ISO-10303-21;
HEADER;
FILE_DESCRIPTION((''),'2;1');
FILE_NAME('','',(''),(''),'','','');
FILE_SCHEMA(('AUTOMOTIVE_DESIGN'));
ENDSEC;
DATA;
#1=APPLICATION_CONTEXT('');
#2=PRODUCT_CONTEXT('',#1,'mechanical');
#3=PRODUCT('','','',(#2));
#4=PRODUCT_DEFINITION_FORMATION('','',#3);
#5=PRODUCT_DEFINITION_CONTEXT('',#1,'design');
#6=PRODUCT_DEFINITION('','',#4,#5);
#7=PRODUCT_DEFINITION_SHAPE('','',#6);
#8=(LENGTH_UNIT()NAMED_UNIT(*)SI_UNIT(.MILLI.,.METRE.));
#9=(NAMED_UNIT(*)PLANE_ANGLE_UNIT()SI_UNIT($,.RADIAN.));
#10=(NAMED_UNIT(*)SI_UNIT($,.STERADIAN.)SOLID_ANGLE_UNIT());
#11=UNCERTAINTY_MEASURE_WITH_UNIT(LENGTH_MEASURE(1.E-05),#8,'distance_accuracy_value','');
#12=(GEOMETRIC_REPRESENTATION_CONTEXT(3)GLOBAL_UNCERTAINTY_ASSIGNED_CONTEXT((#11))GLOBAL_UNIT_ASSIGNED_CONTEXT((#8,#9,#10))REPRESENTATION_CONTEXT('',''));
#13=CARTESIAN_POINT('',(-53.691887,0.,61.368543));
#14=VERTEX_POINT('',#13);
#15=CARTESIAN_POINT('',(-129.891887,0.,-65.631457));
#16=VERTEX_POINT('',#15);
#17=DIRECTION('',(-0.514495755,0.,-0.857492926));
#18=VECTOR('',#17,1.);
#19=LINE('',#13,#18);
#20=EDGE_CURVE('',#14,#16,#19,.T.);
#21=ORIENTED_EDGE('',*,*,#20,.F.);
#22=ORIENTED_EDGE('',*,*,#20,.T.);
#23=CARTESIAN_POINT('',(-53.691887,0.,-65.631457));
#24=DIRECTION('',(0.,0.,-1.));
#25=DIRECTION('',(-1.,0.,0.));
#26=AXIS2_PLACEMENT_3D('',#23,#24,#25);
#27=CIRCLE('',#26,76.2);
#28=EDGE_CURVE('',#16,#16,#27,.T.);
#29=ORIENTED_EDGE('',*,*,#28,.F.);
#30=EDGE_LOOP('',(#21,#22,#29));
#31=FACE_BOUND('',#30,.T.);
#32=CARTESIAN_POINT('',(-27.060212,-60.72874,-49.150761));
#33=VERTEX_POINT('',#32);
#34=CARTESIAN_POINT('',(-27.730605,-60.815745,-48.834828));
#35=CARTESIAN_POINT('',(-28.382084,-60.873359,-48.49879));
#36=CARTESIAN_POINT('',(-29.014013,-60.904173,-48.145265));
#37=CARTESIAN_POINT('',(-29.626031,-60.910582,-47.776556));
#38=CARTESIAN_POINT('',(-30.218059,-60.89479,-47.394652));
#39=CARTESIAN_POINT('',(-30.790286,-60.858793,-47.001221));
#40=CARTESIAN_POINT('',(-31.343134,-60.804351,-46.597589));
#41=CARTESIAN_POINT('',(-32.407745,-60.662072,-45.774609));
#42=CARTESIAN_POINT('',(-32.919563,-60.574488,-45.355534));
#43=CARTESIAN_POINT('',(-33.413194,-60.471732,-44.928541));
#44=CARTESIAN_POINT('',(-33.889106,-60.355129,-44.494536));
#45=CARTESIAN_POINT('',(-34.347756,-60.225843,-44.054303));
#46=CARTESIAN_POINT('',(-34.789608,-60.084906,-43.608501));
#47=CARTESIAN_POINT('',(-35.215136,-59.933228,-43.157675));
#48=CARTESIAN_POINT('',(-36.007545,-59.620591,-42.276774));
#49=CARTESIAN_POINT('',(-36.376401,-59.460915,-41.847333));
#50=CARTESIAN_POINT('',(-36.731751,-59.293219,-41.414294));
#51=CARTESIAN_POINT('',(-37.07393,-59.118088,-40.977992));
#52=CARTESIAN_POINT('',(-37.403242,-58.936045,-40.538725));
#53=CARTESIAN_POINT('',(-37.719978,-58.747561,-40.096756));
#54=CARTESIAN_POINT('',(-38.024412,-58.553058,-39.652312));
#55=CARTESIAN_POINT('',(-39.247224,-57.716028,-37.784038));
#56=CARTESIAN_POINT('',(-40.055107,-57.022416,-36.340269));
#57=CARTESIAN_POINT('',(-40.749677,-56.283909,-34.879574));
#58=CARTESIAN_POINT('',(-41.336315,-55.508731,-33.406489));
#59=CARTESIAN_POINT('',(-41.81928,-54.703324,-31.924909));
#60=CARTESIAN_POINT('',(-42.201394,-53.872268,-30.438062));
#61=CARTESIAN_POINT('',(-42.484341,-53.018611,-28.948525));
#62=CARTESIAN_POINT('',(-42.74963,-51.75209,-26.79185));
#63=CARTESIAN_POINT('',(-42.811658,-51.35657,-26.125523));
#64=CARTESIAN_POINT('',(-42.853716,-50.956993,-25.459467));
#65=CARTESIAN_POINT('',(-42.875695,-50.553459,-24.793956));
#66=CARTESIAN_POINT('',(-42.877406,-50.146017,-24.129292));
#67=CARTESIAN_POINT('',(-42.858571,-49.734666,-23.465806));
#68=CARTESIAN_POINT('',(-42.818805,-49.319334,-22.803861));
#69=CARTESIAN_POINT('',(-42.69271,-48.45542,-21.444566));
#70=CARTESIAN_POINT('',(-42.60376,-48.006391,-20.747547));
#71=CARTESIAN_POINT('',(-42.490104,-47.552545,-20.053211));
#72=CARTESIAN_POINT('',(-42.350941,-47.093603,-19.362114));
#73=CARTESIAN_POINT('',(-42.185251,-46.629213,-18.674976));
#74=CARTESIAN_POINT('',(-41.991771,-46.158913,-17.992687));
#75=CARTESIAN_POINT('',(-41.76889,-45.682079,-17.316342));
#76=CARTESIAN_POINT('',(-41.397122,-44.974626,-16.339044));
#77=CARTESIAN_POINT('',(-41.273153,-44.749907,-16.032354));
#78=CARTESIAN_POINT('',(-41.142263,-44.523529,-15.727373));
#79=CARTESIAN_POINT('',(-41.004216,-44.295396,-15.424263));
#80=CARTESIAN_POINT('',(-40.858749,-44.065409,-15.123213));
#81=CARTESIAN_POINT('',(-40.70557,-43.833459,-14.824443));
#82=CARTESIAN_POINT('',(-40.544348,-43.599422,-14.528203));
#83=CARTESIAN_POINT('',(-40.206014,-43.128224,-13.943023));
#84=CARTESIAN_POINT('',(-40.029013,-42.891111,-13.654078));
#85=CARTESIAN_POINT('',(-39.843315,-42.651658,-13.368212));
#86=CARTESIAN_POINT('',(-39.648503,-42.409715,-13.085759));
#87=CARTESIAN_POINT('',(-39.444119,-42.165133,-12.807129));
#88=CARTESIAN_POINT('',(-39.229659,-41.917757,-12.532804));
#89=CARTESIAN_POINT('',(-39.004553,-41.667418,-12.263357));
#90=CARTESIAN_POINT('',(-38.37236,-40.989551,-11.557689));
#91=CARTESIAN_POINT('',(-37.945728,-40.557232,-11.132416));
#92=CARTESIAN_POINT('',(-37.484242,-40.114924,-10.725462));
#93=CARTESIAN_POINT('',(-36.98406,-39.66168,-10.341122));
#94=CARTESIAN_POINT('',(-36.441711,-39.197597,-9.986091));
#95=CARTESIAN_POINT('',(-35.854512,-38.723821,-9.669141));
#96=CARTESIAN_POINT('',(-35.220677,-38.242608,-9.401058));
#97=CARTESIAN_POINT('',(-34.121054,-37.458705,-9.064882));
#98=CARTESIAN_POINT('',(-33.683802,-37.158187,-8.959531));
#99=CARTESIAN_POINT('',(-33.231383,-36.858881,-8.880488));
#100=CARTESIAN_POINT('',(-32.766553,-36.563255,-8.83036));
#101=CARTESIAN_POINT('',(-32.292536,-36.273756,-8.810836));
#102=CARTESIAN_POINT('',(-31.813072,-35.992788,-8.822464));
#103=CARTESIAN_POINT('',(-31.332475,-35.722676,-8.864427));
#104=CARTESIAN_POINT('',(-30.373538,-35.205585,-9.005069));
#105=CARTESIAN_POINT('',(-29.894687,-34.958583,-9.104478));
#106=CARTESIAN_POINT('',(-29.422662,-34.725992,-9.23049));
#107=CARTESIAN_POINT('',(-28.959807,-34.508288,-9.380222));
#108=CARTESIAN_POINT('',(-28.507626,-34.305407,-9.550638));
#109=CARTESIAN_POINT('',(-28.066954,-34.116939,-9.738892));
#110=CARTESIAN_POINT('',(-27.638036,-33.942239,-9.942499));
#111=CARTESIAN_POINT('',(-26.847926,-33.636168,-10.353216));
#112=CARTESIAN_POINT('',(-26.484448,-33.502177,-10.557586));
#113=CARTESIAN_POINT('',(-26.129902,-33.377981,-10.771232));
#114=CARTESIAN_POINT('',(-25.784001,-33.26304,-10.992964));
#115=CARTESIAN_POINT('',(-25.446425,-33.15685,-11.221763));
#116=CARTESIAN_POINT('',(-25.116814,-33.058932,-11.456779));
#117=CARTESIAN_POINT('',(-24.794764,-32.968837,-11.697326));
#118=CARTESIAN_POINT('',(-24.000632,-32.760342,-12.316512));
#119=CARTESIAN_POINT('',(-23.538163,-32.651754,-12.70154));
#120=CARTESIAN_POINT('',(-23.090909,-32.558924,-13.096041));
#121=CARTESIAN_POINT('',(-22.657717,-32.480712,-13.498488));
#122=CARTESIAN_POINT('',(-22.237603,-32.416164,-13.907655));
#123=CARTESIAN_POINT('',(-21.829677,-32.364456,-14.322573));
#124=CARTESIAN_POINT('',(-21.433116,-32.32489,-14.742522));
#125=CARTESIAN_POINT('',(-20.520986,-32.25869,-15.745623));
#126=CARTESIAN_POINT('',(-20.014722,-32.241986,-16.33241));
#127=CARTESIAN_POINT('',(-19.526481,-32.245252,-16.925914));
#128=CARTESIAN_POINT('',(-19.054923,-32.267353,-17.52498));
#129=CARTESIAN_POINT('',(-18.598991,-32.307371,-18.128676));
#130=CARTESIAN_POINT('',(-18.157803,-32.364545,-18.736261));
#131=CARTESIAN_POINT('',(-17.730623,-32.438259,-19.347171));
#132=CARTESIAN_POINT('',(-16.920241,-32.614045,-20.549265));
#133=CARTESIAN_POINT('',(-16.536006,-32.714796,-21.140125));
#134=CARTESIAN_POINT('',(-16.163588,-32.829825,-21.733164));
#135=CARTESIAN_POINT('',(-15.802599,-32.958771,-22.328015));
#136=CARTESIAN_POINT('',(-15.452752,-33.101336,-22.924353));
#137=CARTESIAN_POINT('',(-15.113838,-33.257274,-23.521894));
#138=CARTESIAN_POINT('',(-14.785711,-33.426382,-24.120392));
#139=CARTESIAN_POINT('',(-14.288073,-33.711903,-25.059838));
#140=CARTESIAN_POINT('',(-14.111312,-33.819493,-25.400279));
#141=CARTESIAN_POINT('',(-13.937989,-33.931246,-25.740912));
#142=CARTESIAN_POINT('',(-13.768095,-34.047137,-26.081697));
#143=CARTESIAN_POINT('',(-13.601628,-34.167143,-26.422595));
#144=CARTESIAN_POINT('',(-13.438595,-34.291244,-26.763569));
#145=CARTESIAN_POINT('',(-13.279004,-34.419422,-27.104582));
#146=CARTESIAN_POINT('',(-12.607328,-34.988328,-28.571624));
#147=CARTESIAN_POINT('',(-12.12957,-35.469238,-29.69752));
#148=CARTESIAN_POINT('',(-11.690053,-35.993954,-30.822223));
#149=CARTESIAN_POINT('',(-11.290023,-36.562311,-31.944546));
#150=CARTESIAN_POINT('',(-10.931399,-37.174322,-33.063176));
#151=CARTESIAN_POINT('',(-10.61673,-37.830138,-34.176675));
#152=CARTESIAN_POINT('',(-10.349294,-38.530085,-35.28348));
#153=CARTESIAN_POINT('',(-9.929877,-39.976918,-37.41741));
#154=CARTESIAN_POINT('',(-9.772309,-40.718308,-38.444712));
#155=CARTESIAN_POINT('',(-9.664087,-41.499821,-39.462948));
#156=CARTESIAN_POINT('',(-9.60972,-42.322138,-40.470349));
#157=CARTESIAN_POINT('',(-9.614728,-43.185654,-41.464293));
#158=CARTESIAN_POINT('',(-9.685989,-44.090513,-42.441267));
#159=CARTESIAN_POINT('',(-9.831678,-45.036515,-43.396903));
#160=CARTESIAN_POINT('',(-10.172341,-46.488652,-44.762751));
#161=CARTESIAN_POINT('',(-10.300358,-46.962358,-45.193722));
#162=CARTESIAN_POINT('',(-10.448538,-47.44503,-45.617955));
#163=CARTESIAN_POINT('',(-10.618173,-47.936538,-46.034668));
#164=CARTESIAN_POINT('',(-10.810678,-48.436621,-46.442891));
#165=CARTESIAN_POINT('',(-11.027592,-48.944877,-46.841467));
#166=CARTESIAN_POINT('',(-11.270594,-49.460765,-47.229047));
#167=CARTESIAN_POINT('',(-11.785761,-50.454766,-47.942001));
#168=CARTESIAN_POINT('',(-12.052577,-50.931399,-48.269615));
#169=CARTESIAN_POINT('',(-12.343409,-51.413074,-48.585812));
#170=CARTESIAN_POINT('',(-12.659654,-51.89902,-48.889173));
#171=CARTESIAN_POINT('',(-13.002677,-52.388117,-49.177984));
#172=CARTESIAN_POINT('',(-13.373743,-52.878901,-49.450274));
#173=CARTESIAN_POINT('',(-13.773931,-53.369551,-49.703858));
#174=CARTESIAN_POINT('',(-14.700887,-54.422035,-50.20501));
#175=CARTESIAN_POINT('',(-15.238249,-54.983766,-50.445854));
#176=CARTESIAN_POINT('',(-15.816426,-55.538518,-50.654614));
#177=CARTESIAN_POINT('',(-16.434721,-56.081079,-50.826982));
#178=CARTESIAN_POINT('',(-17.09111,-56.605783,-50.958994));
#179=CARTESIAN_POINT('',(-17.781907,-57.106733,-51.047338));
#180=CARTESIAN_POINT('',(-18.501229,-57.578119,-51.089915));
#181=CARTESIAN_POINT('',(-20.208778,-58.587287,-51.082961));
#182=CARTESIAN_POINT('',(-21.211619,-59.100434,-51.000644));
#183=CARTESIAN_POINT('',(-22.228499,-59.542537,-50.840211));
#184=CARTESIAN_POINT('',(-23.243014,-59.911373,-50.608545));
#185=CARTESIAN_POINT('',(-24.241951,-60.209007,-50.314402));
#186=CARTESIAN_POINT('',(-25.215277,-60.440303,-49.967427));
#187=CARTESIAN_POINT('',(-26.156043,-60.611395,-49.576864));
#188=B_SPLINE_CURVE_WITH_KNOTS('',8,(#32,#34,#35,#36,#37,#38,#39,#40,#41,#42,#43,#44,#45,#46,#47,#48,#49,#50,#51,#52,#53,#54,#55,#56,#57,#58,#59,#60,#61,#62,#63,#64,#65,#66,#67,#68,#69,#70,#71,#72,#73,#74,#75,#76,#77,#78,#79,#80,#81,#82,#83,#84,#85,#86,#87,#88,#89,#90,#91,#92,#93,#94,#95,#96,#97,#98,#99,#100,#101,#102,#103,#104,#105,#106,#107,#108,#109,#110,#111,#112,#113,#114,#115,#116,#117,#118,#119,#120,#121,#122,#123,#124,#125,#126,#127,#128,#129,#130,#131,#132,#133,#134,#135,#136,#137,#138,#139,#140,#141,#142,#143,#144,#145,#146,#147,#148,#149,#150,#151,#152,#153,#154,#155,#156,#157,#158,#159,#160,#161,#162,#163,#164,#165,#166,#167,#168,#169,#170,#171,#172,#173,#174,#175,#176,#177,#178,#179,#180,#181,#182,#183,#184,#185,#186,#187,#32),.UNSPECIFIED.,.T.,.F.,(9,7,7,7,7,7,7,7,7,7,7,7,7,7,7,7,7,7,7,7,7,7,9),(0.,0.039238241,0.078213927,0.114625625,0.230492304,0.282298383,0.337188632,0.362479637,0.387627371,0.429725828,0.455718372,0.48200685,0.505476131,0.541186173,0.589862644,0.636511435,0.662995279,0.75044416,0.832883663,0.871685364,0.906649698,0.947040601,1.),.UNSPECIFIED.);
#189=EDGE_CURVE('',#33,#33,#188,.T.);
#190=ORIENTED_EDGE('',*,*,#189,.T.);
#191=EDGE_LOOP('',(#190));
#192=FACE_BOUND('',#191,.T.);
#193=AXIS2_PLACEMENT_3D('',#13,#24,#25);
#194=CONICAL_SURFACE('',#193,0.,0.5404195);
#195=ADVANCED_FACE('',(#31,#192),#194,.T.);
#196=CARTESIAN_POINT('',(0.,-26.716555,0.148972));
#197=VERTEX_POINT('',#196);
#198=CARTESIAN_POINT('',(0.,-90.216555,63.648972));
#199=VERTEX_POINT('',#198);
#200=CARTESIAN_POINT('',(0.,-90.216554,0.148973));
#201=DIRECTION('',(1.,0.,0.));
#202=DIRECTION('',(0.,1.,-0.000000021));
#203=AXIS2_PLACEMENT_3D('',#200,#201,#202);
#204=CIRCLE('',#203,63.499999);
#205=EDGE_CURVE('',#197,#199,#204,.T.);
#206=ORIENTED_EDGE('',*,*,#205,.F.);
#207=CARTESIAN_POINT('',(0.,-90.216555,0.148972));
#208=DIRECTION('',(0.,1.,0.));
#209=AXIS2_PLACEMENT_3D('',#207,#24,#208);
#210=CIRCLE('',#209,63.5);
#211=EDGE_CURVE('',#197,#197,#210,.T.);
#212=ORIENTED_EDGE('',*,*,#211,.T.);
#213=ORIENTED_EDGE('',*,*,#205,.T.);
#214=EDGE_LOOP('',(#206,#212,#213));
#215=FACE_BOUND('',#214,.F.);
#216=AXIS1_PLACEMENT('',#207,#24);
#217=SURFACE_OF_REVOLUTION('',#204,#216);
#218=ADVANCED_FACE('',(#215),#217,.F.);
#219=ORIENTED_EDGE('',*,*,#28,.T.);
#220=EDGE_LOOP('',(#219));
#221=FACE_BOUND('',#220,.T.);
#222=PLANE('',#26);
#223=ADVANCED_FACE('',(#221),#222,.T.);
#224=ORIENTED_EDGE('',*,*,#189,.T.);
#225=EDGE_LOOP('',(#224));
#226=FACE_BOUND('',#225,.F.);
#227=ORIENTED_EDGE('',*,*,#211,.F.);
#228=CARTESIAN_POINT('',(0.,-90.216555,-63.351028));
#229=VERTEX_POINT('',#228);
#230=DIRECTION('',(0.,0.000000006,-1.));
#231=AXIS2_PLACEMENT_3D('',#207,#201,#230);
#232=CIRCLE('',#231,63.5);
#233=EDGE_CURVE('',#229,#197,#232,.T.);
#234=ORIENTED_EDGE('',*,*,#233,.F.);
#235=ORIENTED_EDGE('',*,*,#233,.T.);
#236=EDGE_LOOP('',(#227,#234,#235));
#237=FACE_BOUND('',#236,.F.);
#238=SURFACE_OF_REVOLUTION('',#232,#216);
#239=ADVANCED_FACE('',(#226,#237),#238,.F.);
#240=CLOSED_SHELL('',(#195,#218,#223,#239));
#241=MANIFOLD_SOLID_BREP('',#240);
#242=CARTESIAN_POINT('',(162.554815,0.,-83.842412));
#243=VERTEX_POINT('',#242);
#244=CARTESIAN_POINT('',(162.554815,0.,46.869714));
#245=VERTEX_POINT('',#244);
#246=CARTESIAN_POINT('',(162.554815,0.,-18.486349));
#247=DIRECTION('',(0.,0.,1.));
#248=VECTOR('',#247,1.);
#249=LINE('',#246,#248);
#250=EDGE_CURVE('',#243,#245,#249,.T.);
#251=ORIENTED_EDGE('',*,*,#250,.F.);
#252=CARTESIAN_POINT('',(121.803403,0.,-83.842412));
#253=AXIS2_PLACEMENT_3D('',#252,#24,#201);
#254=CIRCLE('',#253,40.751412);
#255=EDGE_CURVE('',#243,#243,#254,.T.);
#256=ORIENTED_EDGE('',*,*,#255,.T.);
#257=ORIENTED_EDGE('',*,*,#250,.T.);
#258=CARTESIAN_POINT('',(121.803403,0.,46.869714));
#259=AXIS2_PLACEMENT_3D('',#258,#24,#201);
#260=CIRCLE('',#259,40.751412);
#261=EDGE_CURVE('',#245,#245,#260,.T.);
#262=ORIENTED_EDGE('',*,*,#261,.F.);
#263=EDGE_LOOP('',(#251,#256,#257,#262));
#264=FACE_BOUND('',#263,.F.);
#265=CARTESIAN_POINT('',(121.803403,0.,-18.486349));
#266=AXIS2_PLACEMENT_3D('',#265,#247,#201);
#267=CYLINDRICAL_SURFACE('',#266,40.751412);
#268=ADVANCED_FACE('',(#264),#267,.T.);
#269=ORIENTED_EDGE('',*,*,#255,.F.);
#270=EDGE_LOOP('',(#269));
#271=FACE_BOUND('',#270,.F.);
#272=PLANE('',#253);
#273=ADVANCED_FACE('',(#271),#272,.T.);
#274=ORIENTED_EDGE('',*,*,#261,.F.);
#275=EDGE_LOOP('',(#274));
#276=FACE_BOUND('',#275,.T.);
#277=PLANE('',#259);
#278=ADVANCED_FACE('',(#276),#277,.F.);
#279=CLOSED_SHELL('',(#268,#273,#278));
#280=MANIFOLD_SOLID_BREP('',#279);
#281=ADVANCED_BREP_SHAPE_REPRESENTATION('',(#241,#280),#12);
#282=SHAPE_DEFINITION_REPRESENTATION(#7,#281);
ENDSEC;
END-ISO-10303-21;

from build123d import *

# Parameters (mm, degrees)
F4_W = 40.751412
F4_H = 130.712126


with BuildPart() as f1:
    # F0 (on Front) → F1 (revolve)
    with BuildSketch(Plane.XZ):
        Polygon((-53.691887, -65.631457), (-53.691887, 61.368543), (-129.891887, -65.631457), align=None)
    revolve(axis=Axis((-53.691887, 0, -2.131457), (0, 0, -1)))

    # F2 (on Right) → F3 (revolve)
    with BuildSketch(Plane.YZ):
        with BuildLine():
            ThreePointArc((-26.716555, 0.148972), (-45.315274, 45.050253), (-90.216555, 63.648972))
            Line((-90.216555, 63.648972), (-90.216555, -63.351028))
            ThreePointArc((-90.216555, -63.351028), (-45.315274, -44.752308), (-26.716555, 0.148972))
        make_face()
    revolve(axis=Axis((0, -90.216555, 0.148972), (0, 0, -1)))


with BuildPart() as f5:
    # F4 (on Front) → F5 (revolve)
    with BuildSketch(Plane.XZ):
        with Locations((142.179109, -18.486349)):
            Rectangle(F4_W, F4_H)
    revolve(axis=Axis((121.803403, 0, -18.486349), (0, 0, -1)))


solid = Compound([f1.part, f5.part])
